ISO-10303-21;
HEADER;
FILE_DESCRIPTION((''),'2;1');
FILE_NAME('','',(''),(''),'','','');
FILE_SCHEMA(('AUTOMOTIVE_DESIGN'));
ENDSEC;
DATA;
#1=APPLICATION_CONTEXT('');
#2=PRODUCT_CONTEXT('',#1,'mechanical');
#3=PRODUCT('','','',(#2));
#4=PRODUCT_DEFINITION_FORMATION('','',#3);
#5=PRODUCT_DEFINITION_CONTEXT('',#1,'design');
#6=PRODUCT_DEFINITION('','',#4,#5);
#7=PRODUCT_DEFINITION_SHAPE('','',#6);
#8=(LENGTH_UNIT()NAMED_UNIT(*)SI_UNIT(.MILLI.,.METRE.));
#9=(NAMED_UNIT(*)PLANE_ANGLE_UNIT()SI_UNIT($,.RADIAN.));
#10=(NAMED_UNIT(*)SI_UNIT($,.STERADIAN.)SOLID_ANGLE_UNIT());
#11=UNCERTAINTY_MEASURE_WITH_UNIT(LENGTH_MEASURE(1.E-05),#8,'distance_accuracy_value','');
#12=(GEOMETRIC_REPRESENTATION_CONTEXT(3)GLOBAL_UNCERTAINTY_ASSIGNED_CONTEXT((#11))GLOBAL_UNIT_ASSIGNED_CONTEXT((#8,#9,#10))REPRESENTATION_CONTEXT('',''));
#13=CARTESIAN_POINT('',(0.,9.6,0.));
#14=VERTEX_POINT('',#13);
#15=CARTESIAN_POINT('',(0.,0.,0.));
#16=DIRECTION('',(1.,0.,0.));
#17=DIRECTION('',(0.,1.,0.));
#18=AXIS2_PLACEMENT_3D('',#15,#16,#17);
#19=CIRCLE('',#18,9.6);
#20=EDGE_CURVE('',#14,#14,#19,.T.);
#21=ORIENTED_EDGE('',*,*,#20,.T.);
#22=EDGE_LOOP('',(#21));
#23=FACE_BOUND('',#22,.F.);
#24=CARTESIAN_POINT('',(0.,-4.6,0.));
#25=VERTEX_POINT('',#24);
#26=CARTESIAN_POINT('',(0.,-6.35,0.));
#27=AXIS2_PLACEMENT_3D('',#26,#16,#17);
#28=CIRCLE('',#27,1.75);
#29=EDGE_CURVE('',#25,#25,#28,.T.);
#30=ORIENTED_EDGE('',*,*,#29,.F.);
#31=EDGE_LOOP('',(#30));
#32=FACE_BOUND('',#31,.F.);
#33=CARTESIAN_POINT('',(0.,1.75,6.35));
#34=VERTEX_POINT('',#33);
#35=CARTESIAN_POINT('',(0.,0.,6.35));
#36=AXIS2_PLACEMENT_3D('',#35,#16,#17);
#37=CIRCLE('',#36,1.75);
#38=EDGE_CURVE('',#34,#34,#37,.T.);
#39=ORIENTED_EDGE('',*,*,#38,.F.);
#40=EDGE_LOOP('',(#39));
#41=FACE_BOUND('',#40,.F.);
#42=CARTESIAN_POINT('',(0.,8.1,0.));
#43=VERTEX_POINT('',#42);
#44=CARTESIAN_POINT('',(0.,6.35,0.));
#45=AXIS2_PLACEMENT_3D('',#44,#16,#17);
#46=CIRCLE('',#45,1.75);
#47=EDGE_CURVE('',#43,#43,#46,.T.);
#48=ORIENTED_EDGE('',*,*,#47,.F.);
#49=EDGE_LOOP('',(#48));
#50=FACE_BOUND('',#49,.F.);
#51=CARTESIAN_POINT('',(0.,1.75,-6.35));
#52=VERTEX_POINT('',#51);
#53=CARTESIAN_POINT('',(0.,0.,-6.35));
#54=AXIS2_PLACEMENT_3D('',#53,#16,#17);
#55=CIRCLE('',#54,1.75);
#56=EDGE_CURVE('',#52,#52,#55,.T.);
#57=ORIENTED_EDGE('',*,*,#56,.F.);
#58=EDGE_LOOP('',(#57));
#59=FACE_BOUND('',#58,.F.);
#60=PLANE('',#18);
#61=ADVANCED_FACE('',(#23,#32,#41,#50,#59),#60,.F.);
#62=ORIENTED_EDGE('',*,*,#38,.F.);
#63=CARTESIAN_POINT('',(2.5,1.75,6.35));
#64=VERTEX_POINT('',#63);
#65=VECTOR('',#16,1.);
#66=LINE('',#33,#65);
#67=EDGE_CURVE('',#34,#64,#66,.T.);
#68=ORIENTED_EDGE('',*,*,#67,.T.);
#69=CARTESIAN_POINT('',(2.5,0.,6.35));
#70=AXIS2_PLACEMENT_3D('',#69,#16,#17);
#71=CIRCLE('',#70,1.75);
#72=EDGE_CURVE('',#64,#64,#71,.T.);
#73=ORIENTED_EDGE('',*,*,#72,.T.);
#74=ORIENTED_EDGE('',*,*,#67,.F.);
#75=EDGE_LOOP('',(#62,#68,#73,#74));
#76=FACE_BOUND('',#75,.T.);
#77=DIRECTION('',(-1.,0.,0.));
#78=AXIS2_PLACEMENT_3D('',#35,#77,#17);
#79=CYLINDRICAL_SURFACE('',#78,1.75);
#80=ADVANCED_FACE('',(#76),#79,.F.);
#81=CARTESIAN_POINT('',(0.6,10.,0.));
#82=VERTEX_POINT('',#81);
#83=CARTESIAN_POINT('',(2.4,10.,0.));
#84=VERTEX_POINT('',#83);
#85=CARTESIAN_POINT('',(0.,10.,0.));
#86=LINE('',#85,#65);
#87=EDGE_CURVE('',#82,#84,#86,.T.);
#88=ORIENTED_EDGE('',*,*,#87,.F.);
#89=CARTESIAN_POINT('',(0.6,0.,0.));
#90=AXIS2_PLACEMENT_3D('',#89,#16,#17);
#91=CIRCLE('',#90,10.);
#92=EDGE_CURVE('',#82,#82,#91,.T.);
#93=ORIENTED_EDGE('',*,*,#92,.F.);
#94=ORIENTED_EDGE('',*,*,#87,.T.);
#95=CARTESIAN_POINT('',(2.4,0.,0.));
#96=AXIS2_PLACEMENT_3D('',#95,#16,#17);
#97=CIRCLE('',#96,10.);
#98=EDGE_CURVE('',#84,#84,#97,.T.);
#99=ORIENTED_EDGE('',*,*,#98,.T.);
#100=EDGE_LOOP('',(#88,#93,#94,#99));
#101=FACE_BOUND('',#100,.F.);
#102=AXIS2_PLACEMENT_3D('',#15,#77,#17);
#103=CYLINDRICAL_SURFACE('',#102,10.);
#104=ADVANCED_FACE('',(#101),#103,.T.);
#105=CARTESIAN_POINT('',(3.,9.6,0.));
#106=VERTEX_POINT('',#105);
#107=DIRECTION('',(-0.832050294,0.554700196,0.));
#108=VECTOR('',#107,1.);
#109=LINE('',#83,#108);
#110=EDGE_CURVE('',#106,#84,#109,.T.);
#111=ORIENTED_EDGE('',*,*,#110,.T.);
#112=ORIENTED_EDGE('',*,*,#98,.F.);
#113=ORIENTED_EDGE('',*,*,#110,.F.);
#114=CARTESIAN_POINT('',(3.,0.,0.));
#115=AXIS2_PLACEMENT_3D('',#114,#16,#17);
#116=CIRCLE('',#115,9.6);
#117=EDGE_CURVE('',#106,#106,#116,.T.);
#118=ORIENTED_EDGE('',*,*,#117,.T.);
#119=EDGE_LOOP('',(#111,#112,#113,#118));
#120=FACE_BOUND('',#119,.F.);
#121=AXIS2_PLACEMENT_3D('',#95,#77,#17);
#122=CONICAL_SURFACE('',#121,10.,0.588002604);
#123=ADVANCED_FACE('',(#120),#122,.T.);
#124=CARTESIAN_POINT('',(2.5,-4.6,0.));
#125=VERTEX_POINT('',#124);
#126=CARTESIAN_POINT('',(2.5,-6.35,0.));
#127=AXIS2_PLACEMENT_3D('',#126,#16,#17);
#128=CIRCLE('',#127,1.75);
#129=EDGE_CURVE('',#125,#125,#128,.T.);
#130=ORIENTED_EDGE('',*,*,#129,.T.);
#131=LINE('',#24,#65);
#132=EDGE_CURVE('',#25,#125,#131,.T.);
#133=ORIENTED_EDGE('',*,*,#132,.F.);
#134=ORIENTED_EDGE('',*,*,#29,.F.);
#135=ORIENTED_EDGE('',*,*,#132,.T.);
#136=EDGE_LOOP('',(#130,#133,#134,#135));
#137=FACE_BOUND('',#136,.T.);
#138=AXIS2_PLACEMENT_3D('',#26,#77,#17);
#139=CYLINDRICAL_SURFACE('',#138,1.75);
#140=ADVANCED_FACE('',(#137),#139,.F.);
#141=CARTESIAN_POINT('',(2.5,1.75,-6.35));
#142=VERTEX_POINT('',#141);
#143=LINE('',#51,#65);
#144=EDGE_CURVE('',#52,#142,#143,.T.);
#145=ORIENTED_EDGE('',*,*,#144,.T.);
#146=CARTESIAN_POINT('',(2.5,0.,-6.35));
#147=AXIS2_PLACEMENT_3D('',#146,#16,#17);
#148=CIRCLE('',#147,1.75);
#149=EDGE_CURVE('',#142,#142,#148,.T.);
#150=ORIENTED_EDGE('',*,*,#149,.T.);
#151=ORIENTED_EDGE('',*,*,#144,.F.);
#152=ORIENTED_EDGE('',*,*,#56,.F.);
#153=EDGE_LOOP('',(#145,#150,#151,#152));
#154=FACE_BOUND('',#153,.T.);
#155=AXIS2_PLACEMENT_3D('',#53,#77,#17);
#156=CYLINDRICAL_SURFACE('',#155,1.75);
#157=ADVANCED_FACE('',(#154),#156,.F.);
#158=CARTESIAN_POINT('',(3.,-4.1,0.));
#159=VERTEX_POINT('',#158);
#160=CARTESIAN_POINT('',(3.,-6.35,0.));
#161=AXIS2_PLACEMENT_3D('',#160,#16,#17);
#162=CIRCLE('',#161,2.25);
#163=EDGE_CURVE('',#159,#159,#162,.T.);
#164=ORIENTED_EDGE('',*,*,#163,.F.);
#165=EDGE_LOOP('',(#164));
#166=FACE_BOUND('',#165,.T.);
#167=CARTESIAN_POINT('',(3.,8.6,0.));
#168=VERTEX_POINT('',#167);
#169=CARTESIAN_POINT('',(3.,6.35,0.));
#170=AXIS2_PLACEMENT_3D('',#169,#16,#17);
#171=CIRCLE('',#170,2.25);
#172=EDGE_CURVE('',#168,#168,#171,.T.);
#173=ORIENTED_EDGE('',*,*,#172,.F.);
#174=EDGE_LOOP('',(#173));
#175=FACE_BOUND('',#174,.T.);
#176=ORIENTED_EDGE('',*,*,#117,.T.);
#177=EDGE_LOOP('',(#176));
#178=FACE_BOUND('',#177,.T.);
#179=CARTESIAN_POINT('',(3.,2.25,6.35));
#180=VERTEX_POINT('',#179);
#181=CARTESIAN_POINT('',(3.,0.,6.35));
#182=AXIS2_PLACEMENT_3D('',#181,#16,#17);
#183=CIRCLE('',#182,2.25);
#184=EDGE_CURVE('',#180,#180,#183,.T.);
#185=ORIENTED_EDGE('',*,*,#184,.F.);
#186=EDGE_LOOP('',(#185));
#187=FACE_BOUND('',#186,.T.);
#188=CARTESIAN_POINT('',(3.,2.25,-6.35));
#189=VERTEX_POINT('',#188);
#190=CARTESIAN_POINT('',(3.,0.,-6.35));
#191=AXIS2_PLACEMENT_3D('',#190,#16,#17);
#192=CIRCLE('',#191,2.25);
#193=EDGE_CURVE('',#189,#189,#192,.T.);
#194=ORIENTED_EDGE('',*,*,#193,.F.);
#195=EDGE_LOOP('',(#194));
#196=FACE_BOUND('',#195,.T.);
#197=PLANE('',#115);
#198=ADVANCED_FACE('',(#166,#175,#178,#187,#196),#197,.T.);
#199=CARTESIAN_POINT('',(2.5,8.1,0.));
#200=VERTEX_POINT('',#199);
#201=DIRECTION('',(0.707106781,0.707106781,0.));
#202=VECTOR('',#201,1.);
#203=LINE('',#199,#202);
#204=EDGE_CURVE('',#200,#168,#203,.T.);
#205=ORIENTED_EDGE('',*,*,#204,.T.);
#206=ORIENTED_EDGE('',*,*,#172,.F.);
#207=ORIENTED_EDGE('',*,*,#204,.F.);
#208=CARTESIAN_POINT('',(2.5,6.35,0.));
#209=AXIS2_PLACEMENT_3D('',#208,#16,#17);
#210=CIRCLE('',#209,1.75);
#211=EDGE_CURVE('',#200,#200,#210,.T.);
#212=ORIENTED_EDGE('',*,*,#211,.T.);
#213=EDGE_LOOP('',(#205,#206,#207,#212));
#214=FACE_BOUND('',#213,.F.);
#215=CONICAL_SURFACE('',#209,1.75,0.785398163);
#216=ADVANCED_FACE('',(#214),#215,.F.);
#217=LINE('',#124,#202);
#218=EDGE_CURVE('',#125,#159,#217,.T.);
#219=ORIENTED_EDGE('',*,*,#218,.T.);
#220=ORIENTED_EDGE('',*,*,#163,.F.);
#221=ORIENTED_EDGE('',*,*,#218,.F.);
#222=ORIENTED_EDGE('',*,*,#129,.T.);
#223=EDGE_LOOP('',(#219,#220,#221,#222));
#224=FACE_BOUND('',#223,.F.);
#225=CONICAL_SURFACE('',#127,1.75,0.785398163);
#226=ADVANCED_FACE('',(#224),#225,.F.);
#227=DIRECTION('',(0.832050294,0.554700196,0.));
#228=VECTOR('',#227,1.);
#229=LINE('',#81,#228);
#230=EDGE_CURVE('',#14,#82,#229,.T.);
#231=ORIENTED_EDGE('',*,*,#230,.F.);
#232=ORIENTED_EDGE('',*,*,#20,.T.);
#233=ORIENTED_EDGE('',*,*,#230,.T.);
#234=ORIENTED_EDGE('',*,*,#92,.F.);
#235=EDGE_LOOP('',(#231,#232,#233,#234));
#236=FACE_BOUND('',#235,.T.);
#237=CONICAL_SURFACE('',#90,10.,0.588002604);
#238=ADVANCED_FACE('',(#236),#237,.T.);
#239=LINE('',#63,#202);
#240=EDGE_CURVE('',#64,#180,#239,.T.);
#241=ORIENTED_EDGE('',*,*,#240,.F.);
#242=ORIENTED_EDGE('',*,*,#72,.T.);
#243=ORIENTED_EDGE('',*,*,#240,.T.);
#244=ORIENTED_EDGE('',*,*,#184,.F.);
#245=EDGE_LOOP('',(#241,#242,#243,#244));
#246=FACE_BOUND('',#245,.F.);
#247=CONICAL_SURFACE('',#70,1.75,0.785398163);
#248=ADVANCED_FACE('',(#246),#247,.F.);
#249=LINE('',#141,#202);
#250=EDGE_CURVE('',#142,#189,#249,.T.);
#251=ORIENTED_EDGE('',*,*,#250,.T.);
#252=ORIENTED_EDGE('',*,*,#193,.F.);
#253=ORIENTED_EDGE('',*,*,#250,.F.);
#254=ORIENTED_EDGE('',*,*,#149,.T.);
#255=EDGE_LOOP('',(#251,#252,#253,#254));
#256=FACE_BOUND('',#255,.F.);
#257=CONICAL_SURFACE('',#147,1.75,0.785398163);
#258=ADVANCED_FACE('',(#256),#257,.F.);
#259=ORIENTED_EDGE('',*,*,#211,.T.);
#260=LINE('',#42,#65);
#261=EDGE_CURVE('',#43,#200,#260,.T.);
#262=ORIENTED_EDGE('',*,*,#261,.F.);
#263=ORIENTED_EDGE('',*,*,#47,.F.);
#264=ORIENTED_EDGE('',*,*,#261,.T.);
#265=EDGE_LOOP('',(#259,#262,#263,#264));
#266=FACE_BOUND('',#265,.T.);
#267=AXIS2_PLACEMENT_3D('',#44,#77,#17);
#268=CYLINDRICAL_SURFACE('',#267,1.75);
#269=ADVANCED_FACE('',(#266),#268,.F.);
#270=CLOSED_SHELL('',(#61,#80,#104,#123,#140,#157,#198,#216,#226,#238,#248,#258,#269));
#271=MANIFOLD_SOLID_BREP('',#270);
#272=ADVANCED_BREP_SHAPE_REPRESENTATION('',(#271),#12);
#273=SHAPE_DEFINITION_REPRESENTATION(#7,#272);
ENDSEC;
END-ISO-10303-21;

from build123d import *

# Parameters (mm, degrees)
F0_R     = 10
F0_R_2   = 1.75
F1_DEPTH = 3
F2_SIZE  = 0.5
F3_SIZE2 = 0.6
F3_SIZE  = 0.4


with BuildPart() as f1:
    # F0 (on Right) → F1 (new body)
    with BuildSketch(Plane.YZ):
        Circle(F0_R)
        with Locations((0, -6.35)):
            Circle(F0_R_2, mode=Mode.SUBTRACT)
        with Locations((-6.35, 0)):
            Circle(F0_R_2, mode=Mode.SUBTRACT)
        with Locations((6.35, 0)):
            Circle(F0_R_2, mode=Mode.SUBTRACT)
        with Locations((0, 6.35)):
            Circle(F0_R_2, mode=Mode.SUBTRACT)
    extrude(amount=F1_DEPTH)

    # F2
    f2_edges = [f1.edges().sort_by_distance(p)[0] for p in [
        (3, -8.1, 0),
        (3, -1.75, 6.35),
        (3, 4.6, 0),
        (3, -1.75, -6.35),
    ]]
    chamfer(f2_edges, length=F2_SIZE)

    # F3
    f3_edges = [f1.edges().sort_by_distance(p)[0] for p in [
        (3, -10, 0),
        (0, -10, 0),
    ]]
    chamfer(f3_edges, length=F3_SIZE, length2=F3_SIZE2)


solid = f1.part
